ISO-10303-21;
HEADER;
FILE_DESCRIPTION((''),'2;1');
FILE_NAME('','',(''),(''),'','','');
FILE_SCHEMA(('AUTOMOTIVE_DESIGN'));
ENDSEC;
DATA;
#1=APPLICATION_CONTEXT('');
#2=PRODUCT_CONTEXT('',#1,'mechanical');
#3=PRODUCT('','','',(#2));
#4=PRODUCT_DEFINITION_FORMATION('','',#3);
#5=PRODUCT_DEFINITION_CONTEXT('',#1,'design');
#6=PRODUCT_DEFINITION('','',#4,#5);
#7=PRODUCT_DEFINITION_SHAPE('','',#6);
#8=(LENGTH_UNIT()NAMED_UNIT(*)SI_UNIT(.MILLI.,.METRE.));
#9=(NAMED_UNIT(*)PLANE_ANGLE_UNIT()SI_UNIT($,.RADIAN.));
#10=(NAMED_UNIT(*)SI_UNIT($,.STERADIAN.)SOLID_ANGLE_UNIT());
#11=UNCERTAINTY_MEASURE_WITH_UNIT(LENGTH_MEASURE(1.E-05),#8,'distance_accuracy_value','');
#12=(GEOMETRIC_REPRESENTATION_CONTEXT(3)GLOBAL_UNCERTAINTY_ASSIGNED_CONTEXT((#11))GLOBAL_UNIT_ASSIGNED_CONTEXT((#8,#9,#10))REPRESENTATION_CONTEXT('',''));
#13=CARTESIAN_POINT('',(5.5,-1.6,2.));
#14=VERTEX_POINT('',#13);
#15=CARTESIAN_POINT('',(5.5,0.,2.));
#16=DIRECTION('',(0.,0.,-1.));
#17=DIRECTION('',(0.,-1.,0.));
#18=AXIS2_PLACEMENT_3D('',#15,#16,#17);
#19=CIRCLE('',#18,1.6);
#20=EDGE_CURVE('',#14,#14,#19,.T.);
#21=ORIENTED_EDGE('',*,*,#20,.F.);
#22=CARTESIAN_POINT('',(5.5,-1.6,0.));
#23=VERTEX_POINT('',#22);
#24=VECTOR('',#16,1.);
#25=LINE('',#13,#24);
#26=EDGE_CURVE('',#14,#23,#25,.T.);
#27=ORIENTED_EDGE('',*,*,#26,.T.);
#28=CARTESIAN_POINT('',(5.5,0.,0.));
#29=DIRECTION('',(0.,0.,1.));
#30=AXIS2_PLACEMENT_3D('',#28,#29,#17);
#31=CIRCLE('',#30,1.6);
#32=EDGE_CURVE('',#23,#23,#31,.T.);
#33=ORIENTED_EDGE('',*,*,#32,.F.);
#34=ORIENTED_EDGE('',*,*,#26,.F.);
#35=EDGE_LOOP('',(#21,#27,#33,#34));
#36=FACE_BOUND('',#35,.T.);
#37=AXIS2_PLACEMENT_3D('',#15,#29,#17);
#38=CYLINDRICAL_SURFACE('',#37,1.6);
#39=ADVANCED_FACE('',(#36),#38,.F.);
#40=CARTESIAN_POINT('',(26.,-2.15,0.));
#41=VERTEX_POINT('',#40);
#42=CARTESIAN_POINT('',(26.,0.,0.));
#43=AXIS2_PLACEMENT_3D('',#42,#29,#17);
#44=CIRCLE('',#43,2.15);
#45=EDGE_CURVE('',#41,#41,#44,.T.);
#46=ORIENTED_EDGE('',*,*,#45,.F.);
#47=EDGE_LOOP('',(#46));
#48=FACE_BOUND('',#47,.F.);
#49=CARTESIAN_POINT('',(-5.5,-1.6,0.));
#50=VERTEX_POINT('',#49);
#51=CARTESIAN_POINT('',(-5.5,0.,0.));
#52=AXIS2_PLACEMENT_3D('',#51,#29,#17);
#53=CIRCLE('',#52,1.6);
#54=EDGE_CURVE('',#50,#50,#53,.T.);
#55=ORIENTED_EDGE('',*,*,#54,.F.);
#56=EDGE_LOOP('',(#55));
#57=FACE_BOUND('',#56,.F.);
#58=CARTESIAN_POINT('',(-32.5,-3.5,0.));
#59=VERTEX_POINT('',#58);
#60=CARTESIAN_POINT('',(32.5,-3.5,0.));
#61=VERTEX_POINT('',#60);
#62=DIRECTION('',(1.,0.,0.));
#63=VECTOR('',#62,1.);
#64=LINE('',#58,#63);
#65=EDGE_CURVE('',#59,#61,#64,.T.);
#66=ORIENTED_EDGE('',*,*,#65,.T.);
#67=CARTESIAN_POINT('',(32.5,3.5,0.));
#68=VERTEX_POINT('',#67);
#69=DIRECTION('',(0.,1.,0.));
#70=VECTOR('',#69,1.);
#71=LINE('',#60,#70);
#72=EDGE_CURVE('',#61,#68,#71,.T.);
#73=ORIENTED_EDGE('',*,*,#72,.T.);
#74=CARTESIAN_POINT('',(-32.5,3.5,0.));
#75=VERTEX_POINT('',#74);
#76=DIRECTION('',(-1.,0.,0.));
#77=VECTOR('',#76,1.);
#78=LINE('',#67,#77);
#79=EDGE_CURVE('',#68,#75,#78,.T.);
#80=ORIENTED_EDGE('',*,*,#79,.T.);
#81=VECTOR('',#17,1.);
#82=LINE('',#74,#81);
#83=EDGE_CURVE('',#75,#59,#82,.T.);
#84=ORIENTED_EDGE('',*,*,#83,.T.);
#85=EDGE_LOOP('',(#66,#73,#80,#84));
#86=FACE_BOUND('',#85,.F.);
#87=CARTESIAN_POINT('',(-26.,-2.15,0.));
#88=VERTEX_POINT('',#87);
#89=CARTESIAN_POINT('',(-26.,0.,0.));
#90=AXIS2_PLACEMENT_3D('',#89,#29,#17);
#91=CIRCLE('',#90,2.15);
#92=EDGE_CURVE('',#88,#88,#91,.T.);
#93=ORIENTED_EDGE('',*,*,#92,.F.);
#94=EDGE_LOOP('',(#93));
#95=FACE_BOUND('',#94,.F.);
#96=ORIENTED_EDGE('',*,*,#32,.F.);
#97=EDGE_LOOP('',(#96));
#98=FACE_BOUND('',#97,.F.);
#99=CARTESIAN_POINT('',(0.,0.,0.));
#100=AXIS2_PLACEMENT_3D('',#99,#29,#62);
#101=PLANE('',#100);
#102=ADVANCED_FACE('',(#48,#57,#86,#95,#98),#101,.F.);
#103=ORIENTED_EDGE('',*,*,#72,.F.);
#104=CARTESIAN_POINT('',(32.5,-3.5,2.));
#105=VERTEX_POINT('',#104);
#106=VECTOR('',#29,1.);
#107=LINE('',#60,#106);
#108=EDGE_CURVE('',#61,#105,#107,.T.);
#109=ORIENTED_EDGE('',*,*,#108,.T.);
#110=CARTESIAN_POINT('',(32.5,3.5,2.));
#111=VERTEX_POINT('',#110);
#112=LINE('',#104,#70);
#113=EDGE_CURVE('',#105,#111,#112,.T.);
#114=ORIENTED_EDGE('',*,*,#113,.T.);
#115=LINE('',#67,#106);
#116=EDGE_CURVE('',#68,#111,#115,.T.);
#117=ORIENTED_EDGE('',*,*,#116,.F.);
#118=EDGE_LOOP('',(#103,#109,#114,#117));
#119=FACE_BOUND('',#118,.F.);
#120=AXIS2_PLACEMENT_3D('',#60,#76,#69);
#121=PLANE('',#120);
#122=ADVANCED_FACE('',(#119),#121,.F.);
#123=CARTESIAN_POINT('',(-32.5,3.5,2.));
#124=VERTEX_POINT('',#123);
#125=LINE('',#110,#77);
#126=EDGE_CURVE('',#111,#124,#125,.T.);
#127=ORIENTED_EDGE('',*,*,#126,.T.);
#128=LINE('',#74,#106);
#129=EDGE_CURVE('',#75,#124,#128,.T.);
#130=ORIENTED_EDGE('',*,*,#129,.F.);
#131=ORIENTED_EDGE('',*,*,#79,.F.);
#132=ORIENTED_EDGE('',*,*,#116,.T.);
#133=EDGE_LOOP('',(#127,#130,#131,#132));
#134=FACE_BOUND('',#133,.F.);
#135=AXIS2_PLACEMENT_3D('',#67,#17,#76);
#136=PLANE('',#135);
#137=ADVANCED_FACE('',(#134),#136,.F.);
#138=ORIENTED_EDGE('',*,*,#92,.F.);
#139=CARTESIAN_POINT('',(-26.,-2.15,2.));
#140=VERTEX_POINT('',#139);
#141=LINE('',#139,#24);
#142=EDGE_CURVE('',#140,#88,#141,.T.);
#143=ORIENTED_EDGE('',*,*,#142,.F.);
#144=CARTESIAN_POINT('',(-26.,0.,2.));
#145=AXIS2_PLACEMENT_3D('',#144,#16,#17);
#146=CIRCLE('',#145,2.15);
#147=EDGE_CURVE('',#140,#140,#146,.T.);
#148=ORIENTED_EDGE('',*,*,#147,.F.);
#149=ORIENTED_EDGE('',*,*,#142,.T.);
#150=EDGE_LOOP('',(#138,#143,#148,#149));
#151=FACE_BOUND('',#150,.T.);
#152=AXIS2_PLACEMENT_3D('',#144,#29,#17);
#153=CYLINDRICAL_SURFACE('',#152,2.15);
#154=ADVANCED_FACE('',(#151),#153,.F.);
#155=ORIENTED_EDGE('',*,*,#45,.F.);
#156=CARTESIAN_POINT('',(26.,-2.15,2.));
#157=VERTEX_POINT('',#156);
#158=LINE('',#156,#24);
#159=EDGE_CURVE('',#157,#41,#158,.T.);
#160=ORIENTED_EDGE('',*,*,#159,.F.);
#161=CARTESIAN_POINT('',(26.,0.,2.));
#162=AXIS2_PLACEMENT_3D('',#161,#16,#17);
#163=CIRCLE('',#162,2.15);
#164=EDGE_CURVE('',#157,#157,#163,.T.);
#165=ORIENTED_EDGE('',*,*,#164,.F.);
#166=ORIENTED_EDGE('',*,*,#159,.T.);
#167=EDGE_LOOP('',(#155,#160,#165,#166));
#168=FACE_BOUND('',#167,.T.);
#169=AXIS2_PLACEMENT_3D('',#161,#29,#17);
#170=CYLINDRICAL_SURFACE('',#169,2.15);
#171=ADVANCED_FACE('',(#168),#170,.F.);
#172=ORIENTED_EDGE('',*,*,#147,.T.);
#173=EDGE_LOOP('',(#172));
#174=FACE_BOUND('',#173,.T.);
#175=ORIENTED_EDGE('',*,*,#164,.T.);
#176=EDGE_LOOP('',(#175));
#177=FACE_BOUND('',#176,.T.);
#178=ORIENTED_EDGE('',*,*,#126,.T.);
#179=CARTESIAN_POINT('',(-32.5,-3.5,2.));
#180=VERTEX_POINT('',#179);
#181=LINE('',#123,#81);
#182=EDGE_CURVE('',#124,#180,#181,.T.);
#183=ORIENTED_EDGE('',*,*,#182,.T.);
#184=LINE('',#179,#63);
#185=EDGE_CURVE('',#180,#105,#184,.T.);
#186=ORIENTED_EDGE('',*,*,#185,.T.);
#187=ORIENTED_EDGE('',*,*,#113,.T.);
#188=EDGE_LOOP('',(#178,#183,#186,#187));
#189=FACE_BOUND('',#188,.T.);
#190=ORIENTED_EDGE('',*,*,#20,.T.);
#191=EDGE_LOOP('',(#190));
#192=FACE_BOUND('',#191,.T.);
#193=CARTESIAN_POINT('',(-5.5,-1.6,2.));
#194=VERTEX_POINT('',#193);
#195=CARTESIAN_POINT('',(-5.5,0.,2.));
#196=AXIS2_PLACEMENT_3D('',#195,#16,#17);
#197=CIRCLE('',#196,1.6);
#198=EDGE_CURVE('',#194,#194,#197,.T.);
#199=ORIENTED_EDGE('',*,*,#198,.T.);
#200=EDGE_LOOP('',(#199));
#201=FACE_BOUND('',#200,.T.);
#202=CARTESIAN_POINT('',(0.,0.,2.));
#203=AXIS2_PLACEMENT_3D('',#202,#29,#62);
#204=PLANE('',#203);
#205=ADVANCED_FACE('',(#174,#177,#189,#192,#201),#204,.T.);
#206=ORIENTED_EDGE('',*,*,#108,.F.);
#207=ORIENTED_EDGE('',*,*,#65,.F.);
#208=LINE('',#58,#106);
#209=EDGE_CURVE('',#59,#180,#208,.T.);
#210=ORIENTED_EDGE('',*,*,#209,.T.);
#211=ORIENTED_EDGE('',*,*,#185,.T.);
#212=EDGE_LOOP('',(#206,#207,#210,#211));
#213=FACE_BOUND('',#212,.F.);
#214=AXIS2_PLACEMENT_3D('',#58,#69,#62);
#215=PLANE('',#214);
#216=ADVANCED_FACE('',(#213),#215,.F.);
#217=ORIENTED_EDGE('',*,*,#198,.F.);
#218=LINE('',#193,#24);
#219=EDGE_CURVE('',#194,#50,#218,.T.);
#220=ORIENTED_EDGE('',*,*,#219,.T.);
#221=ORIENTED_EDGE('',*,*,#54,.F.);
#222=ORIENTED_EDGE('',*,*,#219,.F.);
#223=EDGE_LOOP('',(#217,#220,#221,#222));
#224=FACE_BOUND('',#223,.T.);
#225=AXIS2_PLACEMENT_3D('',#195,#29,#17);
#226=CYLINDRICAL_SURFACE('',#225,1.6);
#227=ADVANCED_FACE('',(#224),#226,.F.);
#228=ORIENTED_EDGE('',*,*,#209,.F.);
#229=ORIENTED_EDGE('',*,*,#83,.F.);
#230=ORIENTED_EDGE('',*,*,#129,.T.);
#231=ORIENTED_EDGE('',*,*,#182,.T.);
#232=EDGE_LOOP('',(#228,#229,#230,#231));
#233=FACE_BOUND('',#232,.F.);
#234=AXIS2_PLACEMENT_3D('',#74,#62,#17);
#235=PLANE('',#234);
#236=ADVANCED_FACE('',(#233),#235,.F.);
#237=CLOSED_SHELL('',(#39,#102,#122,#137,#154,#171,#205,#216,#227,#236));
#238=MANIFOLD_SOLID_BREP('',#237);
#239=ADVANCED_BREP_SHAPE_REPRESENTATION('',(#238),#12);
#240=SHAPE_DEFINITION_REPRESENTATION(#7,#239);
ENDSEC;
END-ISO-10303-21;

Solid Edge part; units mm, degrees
sketch "Sketch1" plane through (0, 0, 0) normal (0, 0, 1) x (1, 0, 0)
  line L0 (-32.5, -3.5) -> (32.5, -3.5)
  line L1 (32.5, -3.5) -> (32.5, 3.5)
  line L2 (32.5, 3.5) -> (-32.5, 3.5)
  line L3 (-32.5, 3.5) -> (-32.5, -3.5)
extrude "Extrusionsausprägung_1" add sketch "Sketch1" along normal blind 2
hole "Bohrung_1" at (-26, 0, 2) direction (0, 0, -1) diameter 4.3 end up to next
hole "Hole1" at (26, 0, 2) direction (0, 0, -1) diameter 4.3 end up to next
hole "Bohrung_3" at (-5.5, 0, 2) direction (0, 0, -1) diameter 3.2 end up to next
hole "Hole2" at (5.5, 0, 2) direction (0, 0, -1) diameter 3.2 end up to next
properties material "Acryl, hoher Anschlag"
